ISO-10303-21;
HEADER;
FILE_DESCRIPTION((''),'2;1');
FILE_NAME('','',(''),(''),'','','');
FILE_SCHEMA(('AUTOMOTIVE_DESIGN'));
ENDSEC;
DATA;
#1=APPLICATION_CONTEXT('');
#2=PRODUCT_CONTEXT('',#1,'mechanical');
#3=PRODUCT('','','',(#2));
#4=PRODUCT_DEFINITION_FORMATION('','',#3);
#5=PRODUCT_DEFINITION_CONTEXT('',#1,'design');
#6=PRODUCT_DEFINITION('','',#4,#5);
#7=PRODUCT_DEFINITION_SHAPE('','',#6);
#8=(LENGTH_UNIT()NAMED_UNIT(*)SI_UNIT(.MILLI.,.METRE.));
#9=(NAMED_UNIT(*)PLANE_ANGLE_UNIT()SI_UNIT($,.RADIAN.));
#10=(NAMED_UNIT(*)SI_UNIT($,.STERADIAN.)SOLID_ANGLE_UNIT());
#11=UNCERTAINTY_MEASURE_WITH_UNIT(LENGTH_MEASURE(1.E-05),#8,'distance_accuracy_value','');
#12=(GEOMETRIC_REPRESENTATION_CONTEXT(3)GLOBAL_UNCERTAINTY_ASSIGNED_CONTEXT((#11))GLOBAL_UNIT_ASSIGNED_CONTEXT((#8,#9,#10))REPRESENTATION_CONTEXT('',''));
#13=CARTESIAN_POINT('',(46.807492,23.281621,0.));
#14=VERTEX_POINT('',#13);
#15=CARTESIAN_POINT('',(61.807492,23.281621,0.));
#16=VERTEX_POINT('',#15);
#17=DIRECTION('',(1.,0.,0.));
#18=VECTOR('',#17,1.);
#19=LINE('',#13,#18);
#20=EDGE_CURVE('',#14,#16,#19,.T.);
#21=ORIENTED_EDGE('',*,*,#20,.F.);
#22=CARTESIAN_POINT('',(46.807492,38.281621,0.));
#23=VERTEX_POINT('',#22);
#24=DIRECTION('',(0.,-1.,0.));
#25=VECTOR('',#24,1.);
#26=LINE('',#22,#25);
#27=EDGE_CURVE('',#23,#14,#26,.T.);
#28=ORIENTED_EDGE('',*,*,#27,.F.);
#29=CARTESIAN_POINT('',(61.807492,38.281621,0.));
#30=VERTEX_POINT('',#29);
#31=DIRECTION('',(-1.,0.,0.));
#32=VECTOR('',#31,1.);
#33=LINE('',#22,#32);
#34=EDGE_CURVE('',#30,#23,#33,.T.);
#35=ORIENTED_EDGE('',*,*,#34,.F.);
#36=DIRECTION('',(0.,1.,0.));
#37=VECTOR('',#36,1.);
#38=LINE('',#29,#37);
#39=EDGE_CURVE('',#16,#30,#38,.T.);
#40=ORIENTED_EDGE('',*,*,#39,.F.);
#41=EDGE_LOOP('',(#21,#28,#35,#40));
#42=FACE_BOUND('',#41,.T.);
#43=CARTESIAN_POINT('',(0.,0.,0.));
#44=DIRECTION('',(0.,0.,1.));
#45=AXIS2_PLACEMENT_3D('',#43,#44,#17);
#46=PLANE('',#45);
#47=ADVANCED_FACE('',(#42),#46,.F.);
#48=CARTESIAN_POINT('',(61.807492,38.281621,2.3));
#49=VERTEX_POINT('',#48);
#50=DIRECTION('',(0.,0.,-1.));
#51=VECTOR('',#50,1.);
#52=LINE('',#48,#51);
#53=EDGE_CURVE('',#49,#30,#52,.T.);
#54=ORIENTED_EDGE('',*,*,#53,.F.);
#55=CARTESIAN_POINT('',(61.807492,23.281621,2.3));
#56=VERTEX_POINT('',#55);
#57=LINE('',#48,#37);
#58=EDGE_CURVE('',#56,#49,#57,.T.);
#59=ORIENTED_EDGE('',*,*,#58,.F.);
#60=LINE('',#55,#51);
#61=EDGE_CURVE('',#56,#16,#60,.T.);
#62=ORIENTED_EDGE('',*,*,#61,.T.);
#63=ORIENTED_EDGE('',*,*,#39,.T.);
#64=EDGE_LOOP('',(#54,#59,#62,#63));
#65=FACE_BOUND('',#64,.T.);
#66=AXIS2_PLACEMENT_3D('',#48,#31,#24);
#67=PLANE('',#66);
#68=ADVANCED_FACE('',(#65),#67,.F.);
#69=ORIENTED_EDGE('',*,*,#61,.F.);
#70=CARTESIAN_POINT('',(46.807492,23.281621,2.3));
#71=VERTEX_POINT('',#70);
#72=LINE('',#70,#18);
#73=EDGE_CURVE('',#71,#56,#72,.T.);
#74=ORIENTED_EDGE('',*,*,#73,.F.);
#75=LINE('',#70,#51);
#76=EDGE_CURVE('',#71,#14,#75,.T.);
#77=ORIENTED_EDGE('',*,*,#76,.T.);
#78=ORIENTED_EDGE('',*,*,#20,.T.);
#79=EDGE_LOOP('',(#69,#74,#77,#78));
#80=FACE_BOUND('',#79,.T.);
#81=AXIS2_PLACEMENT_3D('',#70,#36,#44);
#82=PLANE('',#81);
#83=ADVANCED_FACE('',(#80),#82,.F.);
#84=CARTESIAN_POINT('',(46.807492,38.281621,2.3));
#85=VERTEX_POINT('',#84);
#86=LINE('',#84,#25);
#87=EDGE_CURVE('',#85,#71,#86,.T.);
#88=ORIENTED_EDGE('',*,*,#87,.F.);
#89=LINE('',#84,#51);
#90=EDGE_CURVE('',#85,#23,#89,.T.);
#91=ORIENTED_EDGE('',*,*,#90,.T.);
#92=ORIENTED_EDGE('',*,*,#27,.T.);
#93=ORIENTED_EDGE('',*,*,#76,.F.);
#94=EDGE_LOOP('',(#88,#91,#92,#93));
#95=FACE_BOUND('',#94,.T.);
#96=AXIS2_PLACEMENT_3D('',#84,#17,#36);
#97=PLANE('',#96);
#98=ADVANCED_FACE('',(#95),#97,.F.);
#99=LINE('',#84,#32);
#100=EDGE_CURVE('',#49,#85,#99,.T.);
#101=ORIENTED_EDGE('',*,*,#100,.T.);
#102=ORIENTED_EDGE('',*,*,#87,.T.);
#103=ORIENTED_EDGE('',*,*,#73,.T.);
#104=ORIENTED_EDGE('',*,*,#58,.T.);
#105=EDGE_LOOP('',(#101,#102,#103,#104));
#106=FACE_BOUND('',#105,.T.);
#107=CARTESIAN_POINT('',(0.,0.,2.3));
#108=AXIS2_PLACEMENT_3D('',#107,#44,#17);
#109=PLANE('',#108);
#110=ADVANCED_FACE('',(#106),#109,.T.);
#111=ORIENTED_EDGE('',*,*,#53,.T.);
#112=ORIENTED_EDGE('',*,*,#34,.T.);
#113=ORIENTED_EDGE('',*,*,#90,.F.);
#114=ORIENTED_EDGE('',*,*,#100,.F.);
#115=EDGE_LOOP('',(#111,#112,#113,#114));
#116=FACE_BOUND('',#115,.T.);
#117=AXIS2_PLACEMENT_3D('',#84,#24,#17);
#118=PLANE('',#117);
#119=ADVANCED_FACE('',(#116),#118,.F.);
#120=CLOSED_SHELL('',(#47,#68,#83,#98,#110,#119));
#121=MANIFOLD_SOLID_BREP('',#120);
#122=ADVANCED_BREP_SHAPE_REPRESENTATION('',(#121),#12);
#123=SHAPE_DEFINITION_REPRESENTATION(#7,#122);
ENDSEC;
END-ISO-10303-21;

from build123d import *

# Parameters (mm, degrees)
SKETCH_1_W      = 15
SKETCH_1_H      = 15
EXTRUDE_1_DEPTH = 2.3


with BuildPart() as part:
    # 草图1 → 凸台-拉伸1 (new body)
    with BuildSketch(Plane.XY):
        with Locations((54.307491971, 30.781620917)):
            Rectangle(SKETCH_1_W, SKETCH_1_H)
    extrude(amount=EXTRUDE_1_DEPTH)


solid = part.part
